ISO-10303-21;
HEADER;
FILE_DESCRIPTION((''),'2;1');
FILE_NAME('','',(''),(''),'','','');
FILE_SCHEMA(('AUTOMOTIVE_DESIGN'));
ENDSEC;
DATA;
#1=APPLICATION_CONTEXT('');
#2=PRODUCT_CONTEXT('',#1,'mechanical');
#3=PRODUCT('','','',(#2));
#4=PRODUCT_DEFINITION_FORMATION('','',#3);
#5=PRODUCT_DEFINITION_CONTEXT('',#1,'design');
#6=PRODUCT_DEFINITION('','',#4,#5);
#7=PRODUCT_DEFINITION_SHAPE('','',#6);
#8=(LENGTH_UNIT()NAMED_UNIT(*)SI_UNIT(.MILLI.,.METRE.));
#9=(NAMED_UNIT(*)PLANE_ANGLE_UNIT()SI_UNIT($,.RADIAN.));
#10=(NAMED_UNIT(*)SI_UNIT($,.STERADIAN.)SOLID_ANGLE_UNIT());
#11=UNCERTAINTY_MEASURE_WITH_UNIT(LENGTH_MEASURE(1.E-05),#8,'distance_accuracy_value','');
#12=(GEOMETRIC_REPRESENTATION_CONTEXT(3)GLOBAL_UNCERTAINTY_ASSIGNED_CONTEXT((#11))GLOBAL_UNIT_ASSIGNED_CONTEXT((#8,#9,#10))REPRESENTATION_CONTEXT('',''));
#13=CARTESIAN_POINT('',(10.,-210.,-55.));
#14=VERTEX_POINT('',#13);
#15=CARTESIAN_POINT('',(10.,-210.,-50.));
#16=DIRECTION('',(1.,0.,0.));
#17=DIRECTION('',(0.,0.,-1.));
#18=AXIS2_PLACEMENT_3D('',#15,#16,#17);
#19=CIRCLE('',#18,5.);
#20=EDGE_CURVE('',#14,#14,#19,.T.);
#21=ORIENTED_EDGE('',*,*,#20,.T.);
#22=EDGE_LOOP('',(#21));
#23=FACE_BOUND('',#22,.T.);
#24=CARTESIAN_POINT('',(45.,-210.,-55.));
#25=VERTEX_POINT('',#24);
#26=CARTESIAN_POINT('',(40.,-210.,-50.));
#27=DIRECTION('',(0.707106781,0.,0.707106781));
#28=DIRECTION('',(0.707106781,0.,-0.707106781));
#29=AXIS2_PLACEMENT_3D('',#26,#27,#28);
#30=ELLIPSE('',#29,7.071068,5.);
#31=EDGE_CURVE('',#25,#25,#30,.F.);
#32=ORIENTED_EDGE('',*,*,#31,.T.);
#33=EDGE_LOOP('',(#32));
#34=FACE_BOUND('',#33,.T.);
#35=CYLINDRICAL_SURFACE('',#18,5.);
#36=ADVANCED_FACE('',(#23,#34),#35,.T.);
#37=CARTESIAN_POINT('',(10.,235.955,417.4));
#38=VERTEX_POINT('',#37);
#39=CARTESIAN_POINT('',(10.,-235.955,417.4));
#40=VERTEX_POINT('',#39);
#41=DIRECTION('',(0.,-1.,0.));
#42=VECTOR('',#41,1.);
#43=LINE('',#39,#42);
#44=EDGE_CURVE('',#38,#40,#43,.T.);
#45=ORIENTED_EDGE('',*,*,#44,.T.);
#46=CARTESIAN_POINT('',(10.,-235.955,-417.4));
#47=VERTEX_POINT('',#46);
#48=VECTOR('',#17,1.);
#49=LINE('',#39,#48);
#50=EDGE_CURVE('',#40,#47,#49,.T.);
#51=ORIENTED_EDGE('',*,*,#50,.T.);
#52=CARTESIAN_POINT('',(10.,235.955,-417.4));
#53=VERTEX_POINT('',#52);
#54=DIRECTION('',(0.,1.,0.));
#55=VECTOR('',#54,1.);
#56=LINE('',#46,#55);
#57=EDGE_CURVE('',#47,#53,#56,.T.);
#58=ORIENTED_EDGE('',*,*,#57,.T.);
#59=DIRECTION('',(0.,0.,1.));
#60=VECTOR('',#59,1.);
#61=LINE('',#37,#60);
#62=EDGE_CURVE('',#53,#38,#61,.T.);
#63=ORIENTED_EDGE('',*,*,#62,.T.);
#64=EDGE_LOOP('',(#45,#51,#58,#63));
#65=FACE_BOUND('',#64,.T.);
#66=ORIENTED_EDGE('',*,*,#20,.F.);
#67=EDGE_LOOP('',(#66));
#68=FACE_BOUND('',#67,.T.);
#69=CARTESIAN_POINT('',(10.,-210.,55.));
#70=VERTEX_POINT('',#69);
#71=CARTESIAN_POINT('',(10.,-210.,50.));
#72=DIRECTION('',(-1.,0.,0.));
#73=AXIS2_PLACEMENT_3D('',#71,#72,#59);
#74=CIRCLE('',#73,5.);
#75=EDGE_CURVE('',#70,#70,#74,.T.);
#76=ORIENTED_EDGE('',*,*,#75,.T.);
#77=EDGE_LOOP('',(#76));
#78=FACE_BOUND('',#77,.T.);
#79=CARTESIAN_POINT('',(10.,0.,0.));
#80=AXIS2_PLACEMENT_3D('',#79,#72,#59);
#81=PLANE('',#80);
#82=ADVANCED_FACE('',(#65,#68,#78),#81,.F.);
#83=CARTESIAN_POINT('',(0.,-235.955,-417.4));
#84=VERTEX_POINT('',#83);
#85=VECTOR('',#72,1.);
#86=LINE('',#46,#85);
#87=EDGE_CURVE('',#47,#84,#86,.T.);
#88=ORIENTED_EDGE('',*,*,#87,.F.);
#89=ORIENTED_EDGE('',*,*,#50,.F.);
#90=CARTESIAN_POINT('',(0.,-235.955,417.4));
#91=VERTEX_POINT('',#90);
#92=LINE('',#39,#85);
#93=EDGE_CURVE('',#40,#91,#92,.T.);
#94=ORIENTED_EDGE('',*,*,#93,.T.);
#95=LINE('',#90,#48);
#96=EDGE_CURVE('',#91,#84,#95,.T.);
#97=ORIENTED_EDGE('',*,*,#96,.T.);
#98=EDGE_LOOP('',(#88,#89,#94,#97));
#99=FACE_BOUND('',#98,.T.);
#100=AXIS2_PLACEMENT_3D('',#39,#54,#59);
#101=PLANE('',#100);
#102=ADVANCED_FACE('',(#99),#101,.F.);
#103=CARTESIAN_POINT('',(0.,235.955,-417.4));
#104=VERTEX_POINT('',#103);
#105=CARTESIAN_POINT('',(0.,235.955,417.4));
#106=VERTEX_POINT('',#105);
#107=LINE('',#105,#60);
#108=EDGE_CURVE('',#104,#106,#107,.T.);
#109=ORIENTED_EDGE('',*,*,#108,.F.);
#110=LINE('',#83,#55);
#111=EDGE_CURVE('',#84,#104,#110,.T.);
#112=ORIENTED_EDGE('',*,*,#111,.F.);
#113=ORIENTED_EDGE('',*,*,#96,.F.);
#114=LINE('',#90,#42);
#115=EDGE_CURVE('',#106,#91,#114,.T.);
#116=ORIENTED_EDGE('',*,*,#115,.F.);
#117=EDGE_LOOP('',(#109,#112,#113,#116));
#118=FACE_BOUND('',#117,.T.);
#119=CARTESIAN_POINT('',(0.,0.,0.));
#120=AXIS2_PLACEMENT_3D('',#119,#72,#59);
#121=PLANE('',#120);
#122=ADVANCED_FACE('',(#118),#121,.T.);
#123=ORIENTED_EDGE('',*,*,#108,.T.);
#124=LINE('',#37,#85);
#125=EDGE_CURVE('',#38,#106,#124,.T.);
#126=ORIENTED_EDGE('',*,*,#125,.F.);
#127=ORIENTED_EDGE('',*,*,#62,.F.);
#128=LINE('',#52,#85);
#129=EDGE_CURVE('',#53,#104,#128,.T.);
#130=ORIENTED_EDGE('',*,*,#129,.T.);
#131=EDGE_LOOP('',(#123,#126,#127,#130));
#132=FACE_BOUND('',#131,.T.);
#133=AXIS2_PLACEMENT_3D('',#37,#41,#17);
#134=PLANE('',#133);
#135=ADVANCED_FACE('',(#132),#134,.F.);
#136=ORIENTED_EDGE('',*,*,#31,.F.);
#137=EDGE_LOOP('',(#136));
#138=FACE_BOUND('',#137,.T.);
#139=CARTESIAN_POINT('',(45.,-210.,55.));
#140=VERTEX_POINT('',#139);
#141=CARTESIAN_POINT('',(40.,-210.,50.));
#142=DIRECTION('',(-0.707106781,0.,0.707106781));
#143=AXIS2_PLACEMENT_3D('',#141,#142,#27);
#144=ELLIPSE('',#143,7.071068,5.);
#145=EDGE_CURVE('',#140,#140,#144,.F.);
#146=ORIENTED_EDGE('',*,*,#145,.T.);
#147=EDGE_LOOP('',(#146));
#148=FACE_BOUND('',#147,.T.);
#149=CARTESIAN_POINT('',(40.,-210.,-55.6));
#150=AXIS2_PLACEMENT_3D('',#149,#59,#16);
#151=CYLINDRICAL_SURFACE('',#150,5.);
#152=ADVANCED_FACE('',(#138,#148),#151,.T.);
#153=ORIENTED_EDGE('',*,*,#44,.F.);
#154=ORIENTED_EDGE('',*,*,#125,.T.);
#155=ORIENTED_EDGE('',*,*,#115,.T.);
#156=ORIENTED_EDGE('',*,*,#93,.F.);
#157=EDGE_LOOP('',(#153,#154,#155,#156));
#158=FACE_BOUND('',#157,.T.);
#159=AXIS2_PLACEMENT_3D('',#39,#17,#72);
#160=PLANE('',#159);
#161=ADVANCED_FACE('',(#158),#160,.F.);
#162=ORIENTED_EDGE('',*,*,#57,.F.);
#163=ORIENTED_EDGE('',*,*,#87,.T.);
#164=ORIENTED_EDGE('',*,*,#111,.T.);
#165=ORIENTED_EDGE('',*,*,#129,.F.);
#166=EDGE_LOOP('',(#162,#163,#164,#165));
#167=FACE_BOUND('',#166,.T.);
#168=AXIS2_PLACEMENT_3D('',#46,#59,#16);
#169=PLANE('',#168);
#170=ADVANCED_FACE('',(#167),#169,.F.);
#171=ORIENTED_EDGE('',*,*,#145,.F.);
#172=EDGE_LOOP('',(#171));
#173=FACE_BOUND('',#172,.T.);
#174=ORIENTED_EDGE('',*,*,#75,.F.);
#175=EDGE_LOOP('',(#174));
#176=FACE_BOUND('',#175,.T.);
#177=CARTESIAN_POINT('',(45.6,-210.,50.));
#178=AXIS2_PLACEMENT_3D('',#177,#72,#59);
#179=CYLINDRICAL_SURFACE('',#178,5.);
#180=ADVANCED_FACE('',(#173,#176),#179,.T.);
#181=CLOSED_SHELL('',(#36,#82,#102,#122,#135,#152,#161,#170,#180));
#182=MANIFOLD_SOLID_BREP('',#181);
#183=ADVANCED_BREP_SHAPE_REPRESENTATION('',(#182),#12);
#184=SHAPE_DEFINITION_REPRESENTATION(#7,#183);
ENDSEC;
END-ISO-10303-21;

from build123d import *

# Parameters (mm, degrees)
SKETCH1_W           = 834.8
SKETCH1_H           = 471.91
BOSS_EXTRUDE1_DEPTH = 10
SKETCH2_R           = 5


with BuildPart() as part:
    # Sketch1 → Boss-Extrude1 (new body)
    with BuildSketch(Plane(origin=(0, 0, 0), x_dir=(0, 0, -1), z_dir=(1, 0, 0))):
        Rectangle(SKETCH1_W, SKETCH1_H)
    extrude(amount=BOSS_EXTRUDE1_DEPTH)

    # Sweep1: sweep along a curve in space
    with BuildLine() as sweep1_path:
        Line((10, -210, -50), (40, -210, -50))
        Line((40, -210, -50), (40, -210, 50))
        Line((10, -210, 50), (40, -210, 50))
    # Sketch2 → Sweep1 (sweep)
    with BuildSketch(Plane(origin=(10, 0, 0), x_dir=(0, 0, -1), z_dir=(1, 0, 0))):
        with Locations((50, -210)):
            Circle(SKETCH2_R)
    sweep(path=sweep1_path.line, transition=Transition.RIGHT)


solid = part.part
